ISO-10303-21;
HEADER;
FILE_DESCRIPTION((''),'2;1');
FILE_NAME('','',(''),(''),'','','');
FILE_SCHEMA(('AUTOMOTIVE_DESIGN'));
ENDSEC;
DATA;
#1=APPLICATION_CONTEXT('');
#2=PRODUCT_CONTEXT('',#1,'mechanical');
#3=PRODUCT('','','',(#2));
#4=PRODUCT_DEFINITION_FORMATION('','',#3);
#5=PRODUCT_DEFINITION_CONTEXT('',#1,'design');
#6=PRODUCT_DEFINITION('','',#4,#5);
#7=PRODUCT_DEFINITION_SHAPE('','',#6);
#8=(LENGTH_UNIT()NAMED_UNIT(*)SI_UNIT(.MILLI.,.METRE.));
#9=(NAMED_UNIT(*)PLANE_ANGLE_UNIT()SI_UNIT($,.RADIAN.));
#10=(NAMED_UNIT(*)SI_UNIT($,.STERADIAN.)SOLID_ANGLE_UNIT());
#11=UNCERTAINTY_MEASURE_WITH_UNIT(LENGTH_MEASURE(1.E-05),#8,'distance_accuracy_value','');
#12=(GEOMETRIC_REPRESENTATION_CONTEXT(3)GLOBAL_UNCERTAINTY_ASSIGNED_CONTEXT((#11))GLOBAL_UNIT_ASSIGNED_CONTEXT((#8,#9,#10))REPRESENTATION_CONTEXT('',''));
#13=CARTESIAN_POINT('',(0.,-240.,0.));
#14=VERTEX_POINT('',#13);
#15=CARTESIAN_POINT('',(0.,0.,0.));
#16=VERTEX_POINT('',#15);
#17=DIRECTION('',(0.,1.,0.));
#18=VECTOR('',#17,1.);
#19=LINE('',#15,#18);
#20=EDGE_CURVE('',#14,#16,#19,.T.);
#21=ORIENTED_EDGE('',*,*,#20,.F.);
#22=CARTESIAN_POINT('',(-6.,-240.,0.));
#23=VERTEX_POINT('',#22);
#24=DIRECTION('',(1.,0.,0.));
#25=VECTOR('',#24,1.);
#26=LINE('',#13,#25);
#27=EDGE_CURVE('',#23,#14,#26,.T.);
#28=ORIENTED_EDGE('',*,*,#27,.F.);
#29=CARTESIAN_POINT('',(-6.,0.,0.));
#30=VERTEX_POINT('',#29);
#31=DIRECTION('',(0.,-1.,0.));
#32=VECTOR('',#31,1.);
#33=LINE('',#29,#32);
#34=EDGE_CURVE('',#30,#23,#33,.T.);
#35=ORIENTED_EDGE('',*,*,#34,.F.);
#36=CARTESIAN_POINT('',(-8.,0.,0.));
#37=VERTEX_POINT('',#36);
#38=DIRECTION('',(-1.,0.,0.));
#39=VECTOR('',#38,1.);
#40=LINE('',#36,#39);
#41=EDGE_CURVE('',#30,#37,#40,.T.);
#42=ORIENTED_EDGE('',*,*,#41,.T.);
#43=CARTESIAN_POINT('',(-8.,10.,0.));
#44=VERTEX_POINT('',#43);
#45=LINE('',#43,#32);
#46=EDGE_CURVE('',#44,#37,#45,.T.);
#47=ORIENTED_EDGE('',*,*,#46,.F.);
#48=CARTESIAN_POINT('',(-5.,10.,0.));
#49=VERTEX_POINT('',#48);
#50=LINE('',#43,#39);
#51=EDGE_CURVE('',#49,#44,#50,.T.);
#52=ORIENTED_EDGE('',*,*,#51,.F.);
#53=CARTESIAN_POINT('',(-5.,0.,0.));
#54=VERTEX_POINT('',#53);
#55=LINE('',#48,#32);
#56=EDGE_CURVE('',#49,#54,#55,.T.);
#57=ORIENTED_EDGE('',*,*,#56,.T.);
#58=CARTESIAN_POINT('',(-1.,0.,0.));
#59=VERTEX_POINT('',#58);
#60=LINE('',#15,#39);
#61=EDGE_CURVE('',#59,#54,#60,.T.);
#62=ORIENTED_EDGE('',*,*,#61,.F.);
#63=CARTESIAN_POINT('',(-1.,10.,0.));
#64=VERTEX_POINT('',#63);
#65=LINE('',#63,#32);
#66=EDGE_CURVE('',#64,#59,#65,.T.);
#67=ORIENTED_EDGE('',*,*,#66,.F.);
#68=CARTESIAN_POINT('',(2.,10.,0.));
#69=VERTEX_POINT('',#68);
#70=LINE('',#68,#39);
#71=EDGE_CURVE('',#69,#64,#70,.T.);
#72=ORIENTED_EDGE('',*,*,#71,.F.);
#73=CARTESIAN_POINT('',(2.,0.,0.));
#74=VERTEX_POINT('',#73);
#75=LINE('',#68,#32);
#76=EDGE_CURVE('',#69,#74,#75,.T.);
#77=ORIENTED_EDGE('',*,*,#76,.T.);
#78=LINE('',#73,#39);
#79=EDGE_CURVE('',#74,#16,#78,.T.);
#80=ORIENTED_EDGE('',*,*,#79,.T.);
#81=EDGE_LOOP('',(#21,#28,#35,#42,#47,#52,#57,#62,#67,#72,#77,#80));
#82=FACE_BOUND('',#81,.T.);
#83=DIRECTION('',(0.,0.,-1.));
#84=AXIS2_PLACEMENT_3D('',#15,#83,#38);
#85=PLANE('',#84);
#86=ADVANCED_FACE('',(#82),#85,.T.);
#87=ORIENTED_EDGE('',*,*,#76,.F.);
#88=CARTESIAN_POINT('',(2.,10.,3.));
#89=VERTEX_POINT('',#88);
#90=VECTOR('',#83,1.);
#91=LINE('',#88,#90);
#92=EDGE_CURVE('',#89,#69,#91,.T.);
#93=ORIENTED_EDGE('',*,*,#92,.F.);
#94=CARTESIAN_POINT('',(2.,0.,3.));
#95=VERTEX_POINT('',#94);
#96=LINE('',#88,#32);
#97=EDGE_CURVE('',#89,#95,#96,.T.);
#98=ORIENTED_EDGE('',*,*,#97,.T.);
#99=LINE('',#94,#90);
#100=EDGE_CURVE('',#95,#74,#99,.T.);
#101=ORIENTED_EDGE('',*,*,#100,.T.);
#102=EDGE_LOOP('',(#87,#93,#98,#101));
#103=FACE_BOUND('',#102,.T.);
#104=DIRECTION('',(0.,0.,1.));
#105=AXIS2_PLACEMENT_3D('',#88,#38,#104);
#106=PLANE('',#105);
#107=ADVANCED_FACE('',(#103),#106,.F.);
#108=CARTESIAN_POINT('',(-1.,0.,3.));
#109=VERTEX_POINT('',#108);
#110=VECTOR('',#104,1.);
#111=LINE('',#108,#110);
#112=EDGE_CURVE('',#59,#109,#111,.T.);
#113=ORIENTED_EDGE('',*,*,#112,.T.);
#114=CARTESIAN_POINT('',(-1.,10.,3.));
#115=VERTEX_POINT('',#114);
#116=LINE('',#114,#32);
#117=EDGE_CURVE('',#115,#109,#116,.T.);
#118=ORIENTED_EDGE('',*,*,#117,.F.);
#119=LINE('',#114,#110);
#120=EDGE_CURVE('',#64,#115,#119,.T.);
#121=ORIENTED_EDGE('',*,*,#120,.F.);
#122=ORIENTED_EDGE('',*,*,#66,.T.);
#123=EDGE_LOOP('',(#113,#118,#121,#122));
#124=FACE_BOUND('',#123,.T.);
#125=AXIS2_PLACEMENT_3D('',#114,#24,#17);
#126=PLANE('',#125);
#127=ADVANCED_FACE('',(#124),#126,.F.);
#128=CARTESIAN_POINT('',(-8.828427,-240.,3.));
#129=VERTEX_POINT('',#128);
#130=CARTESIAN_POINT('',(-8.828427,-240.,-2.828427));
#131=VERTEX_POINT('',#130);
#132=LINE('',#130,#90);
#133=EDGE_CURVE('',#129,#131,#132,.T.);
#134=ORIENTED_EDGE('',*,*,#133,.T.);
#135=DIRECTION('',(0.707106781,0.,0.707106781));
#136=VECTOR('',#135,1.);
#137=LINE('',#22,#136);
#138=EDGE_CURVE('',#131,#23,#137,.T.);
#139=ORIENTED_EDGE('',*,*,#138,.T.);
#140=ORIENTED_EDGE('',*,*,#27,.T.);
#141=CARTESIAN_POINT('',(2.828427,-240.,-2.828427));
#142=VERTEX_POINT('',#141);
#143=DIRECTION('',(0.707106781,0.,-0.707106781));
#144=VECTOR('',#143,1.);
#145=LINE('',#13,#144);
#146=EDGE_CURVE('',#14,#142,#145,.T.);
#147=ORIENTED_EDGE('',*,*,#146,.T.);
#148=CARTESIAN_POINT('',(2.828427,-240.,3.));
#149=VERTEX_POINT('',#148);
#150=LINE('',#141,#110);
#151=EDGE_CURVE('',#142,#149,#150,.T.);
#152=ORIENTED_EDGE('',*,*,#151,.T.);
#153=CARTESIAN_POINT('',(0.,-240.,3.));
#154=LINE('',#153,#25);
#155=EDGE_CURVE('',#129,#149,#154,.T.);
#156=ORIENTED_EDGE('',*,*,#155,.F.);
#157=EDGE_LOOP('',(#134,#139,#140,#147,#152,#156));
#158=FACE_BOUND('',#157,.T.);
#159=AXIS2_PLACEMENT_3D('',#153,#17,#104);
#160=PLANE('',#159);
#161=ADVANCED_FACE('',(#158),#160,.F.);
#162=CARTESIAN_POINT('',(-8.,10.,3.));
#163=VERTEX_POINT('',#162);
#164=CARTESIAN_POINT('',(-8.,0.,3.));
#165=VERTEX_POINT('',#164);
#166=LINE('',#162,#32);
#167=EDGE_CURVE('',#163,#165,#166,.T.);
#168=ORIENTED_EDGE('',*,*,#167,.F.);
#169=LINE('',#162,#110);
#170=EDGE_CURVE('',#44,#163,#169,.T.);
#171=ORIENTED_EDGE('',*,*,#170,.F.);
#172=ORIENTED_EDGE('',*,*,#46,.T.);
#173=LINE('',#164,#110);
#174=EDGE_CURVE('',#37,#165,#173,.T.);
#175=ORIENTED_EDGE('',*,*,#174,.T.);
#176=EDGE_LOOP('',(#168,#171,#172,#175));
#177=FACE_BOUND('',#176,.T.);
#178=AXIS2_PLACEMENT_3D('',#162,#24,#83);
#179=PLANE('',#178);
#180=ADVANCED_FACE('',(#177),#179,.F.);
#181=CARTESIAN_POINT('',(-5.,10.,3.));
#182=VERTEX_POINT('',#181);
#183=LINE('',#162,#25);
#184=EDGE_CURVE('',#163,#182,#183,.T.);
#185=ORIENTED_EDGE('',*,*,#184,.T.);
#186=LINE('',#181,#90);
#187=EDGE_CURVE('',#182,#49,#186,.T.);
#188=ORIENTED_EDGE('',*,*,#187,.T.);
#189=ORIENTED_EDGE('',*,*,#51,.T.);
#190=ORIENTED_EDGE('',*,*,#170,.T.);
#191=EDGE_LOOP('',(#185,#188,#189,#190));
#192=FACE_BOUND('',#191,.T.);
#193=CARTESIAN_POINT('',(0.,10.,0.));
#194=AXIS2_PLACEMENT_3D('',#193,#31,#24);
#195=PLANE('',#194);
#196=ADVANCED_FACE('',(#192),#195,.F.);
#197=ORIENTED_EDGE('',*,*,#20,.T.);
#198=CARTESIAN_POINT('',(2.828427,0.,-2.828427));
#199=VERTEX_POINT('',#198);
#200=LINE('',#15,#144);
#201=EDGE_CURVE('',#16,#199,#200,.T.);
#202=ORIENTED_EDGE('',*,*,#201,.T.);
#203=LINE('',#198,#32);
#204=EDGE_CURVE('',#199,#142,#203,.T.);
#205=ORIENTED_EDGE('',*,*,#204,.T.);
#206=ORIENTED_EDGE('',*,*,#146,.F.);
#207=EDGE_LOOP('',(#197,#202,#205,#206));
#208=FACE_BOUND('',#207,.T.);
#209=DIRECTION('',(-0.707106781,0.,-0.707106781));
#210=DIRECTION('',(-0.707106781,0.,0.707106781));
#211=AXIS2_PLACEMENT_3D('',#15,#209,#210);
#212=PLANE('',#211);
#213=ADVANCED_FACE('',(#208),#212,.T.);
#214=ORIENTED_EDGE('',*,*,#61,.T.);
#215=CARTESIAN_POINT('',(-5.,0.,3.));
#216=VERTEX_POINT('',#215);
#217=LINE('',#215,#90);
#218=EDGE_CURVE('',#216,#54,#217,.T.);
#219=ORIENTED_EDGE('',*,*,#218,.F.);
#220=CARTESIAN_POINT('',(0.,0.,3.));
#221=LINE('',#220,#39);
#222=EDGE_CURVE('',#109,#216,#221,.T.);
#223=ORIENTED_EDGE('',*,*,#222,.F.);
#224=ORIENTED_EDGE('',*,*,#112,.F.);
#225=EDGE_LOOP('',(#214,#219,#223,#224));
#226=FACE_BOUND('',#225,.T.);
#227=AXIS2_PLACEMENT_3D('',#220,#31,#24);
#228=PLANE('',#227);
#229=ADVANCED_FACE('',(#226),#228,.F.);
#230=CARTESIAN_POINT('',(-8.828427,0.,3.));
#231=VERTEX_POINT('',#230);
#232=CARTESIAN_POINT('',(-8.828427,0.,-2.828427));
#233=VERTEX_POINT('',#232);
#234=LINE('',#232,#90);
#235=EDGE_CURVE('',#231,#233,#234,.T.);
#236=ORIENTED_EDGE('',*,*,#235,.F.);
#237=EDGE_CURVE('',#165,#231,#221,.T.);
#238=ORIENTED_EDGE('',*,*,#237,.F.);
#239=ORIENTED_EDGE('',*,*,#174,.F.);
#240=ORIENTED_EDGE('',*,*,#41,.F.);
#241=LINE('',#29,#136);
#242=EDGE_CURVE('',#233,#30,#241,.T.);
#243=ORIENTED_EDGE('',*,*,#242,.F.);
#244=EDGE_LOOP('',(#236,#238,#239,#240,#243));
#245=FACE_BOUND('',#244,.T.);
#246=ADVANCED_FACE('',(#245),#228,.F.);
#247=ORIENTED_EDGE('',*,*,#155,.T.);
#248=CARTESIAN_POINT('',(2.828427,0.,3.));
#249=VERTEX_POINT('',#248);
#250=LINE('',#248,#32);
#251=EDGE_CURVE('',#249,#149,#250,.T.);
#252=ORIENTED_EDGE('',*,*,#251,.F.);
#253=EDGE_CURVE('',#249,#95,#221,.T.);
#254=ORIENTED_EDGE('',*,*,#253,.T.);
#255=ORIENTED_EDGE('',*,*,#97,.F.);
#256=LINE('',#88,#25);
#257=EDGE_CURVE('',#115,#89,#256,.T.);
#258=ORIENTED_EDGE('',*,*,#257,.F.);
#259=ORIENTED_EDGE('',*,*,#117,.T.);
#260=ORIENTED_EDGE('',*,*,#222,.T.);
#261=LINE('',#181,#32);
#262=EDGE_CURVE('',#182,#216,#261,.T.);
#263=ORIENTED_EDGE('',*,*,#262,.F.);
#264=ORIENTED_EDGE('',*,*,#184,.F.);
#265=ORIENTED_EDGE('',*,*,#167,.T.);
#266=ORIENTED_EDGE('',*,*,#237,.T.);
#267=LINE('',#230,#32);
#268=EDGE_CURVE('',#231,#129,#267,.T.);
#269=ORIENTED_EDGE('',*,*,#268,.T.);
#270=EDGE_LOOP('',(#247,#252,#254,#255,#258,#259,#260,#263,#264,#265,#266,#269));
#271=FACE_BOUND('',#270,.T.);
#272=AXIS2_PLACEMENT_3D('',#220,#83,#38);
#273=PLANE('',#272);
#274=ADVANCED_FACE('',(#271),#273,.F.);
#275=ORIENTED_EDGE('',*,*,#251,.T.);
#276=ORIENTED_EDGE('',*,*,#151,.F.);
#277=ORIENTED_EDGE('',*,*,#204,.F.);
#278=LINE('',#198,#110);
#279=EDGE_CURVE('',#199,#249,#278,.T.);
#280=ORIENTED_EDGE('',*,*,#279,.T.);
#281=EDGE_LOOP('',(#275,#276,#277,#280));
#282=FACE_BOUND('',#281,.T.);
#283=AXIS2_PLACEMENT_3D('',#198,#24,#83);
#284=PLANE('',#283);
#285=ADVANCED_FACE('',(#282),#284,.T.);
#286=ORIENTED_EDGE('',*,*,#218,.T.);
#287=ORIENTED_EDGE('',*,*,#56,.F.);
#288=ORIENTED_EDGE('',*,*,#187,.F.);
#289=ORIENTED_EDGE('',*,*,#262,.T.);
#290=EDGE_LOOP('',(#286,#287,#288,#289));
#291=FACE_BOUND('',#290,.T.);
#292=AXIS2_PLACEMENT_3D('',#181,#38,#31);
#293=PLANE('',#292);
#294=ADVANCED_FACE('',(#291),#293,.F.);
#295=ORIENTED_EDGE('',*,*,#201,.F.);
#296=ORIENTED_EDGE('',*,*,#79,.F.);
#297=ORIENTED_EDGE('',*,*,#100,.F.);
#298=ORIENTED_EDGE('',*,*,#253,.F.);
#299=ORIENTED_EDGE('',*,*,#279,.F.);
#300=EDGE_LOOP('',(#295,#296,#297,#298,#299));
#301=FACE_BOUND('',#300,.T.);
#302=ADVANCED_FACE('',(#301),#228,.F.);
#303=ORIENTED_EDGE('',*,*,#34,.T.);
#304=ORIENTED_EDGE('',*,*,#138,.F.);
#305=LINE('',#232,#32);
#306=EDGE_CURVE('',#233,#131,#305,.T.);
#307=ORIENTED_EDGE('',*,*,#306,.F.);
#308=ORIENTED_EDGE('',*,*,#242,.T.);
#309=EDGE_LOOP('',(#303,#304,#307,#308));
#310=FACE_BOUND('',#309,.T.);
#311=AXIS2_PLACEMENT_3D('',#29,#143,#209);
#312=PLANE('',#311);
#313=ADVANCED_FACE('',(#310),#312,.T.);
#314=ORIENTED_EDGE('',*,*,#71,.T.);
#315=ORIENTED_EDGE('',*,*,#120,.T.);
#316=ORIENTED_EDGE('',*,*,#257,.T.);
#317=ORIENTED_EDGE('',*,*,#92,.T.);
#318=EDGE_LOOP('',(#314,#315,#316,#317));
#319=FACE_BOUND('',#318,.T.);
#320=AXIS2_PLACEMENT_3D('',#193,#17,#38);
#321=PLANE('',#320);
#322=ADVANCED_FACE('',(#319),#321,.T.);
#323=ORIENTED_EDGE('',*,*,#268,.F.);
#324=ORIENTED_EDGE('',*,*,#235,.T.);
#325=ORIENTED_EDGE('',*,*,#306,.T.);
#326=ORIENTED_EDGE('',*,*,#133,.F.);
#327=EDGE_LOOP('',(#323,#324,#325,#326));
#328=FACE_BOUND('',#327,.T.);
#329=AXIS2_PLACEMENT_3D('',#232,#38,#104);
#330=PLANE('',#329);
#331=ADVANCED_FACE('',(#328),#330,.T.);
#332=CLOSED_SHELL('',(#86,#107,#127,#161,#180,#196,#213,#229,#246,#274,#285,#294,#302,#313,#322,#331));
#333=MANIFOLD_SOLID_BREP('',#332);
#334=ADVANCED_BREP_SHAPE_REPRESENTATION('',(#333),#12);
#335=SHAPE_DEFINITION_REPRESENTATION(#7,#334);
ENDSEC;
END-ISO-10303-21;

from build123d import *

# Parameters (mm, degrees)
SKETCH2_W           = 6
SKETCH2_H           = 240
BOSS_EXTRUDE1_DEPTH = 3
BOSS_EXTRUDE2_DEPTH = 240
SKETCH5_W           = 3
SKETCH5_H           = 3
BOSS_EXTRUDE3_DEPTH = 10


with BuildPart() as part:
    # Sketch2 → Boss-Extrude1 (new body)
    with BuildSketch(Plane.XY):
        with Locations((-3, -120)):
            Rectangle(SKETCH2_W, SKETCH2_H)
    extrude(amount=BOSS_EXTRUDE1_DEPTH)

    # Sketch4 → Boss-Extrude2 (add)
    with BuildSketch(Plane(origin=(0, -240, 0), x_dir=(-1, 0, 0), z_dir=(0, -1, 0))):
        Polygon((0, 0), (-2.828427125, 2.828427125), (-2.828427125, -3), (0, -3), align=None)
        Polygon((8.828427125, -3), (6, -3), (6, 0), (8.828427125, 2.828427125), align=None)
    extrude(amount=-BOSS_EXTRUDE2_DEPTH)

    # Sketch5 → Boss-Extrude3 (add)
    with BuildSketch(Plane(origin=(0, 0, 0), x_dir=(1, 0, 0), z_dir=(0, 1, 0))):
        with Locations((-6.5, -1.5)):
            Rectangle(SKETCH5_W, SKETCH5_H)
        with Locations((0.5, -1.5)):
            Rectangle(SKETCH5_W, SKETCH5_H)
    extrude(amount=BOSS_EXTRUDE3_DEPTH)


solid = part.part
